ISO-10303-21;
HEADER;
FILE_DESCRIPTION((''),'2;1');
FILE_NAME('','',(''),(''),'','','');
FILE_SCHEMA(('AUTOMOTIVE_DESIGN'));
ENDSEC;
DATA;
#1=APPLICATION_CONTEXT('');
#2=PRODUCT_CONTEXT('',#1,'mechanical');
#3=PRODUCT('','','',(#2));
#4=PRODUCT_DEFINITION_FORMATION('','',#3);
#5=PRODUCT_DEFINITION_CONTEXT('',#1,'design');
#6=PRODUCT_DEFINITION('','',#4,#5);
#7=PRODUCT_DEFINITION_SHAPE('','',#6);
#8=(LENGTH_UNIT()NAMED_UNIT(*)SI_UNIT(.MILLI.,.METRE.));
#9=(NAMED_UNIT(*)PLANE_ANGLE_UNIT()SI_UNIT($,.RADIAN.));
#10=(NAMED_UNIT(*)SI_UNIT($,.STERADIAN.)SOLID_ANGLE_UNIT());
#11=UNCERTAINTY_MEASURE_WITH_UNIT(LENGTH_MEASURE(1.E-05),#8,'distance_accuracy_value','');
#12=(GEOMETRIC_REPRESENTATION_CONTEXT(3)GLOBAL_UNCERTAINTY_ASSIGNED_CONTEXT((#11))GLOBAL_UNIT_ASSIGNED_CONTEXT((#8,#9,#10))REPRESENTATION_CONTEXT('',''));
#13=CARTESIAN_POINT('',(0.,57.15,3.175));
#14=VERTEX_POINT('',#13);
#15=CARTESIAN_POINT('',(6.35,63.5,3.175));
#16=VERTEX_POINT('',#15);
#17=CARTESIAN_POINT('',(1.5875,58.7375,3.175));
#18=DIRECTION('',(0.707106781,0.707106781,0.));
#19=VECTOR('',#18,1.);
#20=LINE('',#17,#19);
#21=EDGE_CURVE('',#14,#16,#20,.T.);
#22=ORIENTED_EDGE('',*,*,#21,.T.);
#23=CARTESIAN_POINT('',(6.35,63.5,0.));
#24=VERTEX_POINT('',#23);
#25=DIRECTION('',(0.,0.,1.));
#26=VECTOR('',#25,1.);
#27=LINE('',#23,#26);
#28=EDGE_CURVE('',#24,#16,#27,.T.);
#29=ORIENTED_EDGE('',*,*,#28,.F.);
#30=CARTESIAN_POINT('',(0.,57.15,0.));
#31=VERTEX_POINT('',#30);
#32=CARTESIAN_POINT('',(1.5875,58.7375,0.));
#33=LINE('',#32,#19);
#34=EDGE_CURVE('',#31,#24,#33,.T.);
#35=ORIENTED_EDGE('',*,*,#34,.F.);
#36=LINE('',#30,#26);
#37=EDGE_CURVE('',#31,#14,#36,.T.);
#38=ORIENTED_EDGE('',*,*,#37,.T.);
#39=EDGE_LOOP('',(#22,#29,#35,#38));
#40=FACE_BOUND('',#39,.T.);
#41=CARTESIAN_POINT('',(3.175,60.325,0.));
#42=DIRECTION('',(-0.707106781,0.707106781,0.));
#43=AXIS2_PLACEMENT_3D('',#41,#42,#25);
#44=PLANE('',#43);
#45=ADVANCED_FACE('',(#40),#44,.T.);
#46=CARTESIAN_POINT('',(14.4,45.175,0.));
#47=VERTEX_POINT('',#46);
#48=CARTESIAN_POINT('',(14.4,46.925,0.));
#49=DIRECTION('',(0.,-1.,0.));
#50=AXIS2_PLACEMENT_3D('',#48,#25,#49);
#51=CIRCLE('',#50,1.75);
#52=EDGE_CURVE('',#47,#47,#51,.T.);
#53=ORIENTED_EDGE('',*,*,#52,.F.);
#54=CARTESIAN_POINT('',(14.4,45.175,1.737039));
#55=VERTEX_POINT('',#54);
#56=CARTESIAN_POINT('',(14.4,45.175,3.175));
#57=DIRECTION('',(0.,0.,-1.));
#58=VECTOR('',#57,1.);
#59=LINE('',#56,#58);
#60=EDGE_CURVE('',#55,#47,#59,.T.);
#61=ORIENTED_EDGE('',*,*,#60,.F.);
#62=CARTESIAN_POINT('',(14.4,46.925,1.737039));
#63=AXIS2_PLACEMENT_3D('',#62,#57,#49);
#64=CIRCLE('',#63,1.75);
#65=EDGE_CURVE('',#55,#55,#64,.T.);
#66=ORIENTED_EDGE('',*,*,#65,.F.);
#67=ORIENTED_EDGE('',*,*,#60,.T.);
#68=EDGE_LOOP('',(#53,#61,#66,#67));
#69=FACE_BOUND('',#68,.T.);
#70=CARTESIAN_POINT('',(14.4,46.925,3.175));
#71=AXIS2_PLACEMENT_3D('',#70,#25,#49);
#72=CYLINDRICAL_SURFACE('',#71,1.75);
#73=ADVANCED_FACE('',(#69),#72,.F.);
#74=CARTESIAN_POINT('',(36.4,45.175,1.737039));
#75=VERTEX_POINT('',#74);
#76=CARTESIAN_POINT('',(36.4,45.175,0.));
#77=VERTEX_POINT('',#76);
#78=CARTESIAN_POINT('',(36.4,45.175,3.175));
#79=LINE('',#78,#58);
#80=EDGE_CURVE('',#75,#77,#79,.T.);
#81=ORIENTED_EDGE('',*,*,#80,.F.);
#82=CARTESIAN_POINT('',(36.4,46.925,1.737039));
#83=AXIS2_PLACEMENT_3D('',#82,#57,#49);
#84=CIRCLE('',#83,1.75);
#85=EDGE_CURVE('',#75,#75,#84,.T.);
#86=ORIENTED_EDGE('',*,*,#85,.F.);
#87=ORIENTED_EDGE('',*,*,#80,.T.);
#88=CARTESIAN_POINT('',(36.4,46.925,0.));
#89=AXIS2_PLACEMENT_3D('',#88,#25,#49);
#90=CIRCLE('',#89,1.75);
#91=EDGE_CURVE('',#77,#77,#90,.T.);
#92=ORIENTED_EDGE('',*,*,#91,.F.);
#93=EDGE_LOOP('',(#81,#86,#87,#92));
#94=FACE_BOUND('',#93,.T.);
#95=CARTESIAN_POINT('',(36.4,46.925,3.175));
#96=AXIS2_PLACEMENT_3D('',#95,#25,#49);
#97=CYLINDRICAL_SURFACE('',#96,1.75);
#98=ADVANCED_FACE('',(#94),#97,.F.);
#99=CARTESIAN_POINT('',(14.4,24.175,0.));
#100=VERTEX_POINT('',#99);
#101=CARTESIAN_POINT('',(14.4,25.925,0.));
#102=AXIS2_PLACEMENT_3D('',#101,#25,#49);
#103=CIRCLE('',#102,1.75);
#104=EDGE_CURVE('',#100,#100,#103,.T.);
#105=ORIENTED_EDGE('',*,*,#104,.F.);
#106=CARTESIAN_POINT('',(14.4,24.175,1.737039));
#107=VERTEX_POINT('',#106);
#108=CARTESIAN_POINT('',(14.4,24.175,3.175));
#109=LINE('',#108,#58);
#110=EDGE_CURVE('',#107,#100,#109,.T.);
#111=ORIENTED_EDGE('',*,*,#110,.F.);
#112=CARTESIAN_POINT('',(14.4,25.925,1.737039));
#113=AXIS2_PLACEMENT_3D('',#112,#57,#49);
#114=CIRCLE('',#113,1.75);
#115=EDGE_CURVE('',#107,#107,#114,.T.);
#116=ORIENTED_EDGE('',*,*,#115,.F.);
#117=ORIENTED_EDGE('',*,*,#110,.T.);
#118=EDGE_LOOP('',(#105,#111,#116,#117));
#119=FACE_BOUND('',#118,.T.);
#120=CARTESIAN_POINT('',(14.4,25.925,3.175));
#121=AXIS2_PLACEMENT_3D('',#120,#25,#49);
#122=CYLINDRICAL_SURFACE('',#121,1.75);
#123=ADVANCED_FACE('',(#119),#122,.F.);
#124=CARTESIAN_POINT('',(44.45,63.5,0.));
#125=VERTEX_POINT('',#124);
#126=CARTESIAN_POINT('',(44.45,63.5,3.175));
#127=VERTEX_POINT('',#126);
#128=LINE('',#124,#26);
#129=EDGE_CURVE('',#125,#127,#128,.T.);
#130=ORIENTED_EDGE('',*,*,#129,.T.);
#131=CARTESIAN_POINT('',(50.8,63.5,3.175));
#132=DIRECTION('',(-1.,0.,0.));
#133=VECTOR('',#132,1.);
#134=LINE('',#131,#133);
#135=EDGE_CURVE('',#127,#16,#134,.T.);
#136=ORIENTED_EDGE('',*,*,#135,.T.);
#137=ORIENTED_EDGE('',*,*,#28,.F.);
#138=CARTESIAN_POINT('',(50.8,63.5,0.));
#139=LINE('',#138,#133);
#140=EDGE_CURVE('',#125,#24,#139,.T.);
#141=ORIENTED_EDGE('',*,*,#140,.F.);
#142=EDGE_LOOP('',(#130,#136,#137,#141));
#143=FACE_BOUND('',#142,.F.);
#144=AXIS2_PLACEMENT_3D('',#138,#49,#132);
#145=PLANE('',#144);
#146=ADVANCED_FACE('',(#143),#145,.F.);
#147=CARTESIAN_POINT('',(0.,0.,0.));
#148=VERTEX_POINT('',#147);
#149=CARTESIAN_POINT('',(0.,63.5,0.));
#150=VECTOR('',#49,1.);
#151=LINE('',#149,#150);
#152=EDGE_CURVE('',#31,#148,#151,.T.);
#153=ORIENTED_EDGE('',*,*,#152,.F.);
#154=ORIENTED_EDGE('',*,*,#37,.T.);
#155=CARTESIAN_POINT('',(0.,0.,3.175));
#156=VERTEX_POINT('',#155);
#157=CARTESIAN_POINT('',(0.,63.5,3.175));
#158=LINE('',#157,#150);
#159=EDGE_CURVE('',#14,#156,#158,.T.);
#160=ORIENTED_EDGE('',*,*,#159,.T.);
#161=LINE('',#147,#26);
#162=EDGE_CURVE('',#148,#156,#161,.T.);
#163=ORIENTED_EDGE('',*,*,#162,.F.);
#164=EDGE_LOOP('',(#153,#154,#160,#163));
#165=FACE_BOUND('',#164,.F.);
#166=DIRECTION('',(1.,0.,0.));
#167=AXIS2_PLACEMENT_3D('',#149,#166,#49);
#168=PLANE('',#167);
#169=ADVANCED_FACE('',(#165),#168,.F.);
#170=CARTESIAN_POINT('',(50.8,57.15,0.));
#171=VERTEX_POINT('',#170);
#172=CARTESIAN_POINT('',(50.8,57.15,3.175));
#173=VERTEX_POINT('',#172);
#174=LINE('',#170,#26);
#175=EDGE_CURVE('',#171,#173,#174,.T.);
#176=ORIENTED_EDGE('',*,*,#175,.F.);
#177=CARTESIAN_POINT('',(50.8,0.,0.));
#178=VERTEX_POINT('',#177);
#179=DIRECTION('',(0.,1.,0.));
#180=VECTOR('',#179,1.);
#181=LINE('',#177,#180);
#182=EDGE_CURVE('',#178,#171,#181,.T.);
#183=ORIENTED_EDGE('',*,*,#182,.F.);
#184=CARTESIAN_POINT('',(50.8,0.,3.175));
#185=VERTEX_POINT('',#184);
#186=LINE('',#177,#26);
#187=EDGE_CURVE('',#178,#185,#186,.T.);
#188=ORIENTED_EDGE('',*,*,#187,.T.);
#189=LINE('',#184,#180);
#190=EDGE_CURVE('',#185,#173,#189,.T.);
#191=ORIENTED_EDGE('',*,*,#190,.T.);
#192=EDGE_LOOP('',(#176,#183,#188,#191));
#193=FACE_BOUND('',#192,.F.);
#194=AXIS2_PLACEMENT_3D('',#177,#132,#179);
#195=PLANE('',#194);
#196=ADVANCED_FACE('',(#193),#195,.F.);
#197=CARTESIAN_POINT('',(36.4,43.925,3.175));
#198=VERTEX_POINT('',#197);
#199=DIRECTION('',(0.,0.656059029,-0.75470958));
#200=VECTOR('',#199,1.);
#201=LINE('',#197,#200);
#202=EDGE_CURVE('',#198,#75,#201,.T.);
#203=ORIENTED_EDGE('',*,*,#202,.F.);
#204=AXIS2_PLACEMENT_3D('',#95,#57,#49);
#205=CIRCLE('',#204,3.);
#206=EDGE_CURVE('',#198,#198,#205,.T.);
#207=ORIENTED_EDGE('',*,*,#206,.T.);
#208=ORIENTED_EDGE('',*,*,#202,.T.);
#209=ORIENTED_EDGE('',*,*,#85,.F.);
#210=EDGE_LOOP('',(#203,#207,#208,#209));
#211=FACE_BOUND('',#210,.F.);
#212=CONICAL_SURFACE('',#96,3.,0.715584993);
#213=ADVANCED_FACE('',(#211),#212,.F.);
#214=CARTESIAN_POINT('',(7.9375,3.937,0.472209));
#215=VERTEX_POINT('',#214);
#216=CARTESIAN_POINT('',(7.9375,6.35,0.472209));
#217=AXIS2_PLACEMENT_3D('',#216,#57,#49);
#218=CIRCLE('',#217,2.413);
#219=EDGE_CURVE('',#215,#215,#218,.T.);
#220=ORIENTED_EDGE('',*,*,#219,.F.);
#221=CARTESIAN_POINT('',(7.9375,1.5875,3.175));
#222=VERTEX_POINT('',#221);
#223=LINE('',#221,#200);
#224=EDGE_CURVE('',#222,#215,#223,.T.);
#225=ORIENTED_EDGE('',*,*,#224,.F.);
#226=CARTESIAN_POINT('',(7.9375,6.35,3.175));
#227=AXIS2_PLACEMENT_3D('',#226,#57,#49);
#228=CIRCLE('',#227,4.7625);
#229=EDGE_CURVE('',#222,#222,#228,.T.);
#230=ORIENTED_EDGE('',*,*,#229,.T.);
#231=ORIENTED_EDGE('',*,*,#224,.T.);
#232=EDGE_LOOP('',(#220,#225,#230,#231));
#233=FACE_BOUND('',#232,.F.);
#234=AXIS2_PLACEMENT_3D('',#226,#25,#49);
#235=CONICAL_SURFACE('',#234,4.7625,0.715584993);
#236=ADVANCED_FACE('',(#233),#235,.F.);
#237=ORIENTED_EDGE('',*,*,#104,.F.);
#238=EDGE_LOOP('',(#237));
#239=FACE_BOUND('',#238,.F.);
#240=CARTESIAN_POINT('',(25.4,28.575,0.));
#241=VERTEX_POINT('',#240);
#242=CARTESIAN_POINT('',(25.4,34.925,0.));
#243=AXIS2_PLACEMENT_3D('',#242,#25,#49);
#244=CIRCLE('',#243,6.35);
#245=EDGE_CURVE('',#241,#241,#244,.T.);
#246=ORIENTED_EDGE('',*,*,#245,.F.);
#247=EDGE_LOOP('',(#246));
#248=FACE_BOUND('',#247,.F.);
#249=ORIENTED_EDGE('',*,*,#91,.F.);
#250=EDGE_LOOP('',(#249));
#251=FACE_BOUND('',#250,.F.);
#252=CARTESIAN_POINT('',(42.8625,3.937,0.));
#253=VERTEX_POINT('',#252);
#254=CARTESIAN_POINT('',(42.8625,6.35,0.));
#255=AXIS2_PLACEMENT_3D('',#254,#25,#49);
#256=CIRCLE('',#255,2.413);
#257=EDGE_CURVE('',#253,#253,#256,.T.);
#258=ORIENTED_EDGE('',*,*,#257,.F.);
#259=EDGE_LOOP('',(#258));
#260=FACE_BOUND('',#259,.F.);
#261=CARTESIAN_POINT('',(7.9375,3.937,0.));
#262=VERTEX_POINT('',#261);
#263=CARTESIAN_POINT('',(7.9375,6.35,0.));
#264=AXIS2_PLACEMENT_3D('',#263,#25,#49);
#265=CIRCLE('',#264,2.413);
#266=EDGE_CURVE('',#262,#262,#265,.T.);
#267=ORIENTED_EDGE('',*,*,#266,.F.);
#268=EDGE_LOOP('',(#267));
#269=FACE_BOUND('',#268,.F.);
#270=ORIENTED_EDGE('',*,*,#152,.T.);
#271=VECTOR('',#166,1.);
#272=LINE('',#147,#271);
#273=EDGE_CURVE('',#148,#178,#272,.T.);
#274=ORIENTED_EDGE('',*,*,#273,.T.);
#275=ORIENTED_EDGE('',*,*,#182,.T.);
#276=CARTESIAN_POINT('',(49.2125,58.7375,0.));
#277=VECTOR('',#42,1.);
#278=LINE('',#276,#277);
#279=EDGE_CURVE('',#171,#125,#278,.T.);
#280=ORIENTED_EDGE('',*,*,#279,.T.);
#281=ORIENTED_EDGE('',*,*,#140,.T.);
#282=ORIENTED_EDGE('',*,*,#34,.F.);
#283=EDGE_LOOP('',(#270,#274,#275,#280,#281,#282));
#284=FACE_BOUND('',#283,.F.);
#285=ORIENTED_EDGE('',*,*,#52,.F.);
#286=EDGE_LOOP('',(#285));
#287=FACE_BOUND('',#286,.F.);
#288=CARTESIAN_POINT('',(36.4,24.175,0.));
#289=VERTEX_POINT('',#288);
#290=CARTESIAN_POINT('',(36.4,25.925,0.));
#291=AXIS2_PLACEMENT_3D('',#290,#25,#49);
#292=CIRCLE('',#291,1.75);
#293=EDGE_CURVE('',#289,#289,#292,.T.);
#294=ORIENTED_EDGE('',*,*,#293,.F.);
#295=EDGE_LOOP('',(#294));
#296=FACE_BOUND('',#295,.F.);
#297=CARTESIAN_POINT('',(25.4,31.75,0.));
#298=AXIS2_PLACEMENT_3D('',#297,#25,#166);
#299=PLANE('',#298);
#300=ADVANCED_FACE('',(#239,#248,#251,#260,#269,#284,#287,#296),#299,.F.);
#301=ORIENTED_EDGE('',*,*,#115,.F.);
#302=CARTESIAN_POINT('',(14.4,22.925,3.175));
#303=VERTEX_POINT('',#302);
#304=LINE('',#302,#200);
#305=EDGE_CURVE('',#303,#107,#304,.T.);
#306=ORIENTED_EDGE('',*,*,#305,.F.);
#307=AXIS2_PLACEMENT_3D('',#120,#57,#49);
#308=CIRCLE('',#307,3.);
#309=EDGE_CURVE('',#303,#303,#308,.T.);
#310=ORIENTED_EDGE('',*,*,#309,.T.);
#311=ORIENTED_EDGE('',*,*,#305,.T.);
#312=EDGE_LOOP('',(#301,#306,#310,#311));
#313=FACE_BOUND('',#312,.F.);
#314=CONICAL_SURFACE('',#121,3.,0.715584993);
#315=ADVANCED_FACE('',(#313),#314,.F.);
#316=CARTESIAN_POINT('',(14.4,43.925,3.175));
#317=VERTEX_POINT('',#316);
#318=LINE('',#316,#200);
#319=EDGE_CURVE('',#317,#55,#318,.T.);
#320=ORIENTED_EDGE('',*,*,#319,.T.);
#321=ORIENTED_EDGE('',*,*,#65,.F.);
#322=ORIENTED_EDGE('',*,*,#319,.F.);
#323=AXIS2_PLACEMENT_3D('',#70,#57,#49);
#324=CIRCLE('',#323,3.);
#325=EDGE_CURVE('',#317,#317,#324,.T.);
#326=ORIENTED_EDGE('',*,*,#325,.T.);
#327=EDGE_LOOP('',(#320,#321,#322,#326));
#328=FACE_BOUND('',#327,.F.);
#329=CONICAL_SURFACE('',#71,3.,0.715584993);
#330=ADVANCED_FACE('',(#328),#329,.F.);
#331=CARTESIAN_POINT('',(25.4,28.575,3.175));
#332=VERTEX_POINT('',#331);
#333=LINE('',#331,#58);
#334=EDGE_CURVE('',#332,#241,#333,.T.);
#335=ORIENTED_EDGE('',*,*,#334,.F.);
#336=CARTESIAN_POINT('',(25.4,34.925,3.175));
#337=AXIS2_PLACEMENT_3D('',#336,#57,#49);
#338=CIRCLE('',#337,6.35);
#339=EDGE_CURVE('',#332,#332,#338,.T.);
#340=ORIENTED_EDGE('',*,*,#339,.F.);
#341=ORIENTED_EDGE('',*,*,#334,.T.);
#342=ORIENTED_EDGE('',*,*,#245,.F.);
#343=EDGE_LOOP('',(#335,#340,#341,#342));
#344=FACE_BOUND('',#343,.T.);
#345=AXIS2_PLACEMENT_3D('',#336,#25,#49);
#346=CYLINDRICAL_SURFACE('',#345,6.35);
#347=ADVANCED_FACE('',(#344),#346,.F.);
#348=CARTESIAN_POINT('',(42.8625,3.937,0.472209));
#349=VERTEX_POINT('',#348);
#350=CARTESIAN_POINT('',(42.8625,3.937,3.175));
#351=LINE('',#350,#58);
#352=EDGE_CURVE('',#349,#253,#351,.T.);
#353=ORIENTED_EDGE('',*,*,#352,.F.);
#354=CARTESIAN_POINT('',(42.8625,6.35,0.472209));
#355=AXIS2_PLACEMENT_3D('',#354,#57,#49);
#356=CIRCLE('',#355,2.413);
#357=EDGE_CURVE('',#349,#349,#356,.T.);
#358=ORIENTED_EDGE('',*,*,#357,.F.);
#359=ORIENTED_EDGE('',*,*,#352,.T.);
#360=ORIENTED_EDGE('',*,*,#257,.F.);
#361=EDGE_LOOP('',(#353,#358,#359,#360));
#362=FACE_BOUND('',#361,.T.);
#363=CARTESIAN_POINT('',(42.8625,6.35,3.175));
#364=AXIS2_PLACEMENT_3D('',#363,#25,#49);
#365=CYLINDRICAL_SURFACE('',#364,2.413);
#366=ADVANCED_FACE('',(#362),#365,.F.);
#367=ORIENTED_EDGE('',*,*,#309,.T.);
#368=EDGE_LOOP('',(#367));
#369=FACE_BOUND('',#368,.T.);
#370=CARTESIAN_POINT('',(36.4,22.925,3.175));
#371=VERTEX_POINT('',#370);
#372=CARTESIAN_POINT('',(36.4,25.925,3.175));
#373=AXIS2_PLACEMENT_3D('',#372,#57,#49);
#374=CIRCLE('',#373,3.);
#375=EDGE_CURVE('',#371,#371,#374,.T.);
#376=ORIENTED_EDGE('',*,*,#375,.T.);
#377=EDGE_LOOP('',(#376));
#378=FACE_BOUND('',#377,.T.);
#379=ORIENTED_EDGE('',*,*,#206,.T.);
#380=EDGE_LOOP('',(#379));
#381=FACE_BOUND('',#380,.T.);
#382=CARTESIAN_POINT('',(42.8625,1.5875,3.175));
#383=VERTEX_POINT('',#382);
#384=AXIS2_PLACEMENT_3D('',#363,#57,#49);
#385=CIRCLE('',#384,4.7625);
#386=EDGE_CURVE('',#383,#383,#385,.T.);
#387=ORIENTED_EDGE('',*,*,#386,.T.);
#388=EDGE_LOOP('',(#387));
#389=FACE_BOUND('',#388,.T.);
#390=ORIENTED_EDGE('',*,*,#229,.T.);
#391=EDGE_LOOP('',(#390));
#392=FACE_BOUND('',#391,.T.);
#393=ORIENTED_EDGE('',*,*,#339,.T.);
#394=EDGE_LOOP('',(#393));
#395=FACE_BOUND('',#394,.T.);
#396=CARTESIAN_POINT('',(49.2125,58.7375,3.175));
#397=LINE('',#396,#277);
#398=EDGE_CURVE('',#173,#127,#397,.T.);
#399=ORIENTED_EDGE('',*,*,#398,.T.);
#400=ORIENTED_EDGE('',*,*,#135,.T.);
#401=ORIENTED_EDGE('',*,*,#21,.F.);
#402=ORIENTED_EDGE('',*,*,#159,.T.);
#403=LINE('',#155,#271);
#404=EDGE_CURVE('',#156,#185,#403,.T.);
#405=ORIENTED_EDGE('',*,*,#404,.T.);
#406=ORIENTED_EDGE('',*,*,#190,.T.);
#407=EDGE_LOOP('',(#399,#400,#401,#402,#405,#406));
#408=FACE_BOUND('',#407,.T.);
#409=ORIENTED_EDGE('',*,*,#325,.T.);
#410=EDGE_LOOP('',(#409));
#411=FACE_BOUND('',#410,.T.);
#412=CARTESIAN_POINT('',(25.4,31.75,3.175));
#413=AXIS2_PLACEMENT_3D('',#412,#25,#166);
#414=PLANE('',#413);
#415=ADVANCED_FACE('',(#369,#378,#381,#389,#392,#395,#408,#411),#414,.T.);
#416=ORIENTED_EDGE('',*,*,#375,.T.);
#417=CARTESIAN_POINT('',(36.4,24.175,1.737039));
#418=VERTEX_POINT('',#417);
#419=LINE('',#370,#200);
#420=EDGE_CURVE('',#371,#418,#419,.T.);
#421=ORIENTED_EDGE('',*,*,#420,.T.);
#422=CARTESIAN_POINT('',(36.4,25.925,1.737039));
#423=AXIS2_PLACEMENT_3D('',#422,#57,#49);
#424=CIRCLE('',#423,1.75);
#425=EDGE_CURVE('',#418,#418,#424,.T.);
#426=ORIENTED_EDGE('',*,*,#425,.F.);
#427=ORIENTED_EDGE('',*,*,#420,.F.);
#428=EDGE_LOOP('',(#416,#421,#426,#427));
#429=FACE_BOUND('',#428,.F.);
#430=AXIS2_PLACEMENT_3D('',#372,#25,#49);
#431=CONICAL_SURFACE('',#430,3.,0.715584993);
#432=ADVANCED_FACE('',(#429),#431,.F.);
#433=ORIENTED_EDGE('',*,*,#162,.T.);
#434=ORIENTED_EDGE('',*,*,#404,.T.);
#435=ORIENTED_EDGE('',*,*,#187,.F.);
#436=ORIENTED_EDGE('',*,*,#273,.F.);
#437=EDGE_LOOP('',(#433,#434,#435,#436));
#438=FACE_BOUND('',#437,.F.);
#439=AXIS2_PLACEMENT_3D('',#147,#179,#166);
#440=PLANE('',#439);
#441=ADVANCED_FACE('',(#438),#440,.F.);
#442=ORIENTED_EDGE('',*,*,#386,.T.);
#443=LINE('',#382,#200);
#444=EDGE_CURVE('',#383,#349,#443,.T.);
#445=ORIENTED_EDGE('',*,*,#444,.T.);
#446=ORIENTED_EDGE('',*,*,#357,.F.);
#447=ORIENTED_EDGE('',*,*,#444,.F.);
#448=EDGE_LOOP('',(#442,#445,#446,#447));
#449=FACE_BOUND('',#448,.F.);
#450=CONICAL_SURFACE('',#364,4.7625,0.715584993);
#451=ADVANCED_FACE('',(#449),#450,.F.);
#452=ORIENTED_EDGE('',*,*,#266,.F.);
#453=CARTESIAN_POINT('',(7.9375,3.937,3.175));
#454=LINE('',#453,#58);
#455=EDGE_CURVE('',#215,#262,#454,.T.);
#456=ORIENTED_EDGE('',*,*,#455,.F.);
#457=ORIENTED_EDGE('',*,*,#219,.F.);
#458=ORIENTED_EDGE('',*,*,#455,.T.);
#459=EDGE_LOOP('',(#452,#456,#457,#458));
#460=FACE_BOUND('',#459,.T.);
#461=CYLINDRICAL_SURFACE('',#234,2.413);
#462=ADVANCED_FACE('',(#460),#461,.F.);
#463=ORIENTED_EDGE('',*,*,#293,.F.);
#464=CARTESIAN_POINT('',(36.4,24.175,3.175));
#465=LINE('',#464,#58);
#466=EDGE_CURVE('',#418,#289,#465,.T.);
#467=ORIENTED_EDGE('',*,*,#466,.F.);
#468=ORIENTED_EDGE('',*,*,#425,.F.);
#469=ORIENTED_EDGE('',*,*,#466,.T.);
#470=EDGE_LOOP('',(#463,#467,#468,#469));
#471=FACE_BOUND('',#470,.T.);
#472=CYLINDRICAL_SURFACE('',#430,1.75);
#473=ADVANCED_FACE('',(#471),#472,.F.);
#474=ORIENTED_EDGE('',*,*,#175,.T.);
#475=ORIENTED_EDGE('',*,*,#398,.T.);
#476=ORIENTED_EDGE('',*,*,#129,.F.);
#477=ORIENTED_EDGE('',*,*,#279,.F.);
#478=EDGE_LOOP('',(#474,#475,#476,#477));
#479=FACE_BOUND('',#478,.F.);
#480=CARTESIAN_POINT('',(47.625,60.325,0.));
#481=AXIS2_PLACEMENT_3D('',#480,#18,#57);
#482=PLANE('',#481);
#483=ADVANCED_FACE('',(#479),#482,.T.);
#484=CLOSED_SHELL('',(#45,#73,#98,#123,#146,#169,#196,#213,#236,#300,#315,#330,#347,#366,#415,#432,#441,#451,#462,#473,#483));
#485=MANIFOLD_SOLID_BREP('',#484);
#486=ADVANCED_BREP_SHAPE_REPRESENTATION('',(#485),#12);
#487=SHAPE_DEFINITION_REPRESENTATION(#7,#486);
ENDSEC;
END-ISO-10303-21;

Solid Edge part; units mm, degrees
sketch "Sketch1" plane through (0, 0, 0) normal (0, 0, 1) x (1, 0, 0)
  line L0 (0, 0) -> (50.8, 0)
  line L1 (50.8, 0) -> (50.8, 63.5)
  line L2 (50.8, 63.5) -> (0, 63.5)
  line L3 (0, 63.5) -> (0, 0)
  dimension "D1" = 50.8
  dimension "D2" = 63.5
extrude "Protrusion1" add sketch "Sketch1" along normal blind 3.175
hole "Hole_1" at (42.8625, 6.35, 3.175) direction (0, 0, -1) diameter 4.826 end up to next countersink diameter 9.525 countersink angle 82
hole "Hole1" at (7.9375, 6.35, 3.175) direction (0, 0, -1) diameter 4.826 end up to next countersink diameter 9.525 countersink angle 82
hole "Hole_2" at (25.4, 34.925, 3.175) direction (0, 0, -1) diameter 12.7 end up to next
chamfer "Chamfer_1" distance 6.35 angle 45 2 edges at (0, 63.5, 1.5875) (50.8, 63.5, 1.5875)
hole "Hole_4" at (36.4, 46.925, 3.175) direction (0, 0, -1) diameter 3.5 end up to next countersink diameter 6 countersink angle 82
hole "Hole2" at (36.4, 25.925, 3.175) direction (0, 0, -1) diameter 3.5 end up to next countersink diameter 6 countersink angle 82
hole "Hole3" at (14.4, 25.925, 3.175) direction (0, 0, -1) diameter 3.5 end up to next countersink diameter 6 countersink angle 82
hole "Hole4" at (14.4, 46.925, 3.175) direction (0, 0, -1) diameter 3.5 end up to next countersink diameter 6 countersink angle 82
properties part number "CHAS-04" material "Aluminum, 1060"
